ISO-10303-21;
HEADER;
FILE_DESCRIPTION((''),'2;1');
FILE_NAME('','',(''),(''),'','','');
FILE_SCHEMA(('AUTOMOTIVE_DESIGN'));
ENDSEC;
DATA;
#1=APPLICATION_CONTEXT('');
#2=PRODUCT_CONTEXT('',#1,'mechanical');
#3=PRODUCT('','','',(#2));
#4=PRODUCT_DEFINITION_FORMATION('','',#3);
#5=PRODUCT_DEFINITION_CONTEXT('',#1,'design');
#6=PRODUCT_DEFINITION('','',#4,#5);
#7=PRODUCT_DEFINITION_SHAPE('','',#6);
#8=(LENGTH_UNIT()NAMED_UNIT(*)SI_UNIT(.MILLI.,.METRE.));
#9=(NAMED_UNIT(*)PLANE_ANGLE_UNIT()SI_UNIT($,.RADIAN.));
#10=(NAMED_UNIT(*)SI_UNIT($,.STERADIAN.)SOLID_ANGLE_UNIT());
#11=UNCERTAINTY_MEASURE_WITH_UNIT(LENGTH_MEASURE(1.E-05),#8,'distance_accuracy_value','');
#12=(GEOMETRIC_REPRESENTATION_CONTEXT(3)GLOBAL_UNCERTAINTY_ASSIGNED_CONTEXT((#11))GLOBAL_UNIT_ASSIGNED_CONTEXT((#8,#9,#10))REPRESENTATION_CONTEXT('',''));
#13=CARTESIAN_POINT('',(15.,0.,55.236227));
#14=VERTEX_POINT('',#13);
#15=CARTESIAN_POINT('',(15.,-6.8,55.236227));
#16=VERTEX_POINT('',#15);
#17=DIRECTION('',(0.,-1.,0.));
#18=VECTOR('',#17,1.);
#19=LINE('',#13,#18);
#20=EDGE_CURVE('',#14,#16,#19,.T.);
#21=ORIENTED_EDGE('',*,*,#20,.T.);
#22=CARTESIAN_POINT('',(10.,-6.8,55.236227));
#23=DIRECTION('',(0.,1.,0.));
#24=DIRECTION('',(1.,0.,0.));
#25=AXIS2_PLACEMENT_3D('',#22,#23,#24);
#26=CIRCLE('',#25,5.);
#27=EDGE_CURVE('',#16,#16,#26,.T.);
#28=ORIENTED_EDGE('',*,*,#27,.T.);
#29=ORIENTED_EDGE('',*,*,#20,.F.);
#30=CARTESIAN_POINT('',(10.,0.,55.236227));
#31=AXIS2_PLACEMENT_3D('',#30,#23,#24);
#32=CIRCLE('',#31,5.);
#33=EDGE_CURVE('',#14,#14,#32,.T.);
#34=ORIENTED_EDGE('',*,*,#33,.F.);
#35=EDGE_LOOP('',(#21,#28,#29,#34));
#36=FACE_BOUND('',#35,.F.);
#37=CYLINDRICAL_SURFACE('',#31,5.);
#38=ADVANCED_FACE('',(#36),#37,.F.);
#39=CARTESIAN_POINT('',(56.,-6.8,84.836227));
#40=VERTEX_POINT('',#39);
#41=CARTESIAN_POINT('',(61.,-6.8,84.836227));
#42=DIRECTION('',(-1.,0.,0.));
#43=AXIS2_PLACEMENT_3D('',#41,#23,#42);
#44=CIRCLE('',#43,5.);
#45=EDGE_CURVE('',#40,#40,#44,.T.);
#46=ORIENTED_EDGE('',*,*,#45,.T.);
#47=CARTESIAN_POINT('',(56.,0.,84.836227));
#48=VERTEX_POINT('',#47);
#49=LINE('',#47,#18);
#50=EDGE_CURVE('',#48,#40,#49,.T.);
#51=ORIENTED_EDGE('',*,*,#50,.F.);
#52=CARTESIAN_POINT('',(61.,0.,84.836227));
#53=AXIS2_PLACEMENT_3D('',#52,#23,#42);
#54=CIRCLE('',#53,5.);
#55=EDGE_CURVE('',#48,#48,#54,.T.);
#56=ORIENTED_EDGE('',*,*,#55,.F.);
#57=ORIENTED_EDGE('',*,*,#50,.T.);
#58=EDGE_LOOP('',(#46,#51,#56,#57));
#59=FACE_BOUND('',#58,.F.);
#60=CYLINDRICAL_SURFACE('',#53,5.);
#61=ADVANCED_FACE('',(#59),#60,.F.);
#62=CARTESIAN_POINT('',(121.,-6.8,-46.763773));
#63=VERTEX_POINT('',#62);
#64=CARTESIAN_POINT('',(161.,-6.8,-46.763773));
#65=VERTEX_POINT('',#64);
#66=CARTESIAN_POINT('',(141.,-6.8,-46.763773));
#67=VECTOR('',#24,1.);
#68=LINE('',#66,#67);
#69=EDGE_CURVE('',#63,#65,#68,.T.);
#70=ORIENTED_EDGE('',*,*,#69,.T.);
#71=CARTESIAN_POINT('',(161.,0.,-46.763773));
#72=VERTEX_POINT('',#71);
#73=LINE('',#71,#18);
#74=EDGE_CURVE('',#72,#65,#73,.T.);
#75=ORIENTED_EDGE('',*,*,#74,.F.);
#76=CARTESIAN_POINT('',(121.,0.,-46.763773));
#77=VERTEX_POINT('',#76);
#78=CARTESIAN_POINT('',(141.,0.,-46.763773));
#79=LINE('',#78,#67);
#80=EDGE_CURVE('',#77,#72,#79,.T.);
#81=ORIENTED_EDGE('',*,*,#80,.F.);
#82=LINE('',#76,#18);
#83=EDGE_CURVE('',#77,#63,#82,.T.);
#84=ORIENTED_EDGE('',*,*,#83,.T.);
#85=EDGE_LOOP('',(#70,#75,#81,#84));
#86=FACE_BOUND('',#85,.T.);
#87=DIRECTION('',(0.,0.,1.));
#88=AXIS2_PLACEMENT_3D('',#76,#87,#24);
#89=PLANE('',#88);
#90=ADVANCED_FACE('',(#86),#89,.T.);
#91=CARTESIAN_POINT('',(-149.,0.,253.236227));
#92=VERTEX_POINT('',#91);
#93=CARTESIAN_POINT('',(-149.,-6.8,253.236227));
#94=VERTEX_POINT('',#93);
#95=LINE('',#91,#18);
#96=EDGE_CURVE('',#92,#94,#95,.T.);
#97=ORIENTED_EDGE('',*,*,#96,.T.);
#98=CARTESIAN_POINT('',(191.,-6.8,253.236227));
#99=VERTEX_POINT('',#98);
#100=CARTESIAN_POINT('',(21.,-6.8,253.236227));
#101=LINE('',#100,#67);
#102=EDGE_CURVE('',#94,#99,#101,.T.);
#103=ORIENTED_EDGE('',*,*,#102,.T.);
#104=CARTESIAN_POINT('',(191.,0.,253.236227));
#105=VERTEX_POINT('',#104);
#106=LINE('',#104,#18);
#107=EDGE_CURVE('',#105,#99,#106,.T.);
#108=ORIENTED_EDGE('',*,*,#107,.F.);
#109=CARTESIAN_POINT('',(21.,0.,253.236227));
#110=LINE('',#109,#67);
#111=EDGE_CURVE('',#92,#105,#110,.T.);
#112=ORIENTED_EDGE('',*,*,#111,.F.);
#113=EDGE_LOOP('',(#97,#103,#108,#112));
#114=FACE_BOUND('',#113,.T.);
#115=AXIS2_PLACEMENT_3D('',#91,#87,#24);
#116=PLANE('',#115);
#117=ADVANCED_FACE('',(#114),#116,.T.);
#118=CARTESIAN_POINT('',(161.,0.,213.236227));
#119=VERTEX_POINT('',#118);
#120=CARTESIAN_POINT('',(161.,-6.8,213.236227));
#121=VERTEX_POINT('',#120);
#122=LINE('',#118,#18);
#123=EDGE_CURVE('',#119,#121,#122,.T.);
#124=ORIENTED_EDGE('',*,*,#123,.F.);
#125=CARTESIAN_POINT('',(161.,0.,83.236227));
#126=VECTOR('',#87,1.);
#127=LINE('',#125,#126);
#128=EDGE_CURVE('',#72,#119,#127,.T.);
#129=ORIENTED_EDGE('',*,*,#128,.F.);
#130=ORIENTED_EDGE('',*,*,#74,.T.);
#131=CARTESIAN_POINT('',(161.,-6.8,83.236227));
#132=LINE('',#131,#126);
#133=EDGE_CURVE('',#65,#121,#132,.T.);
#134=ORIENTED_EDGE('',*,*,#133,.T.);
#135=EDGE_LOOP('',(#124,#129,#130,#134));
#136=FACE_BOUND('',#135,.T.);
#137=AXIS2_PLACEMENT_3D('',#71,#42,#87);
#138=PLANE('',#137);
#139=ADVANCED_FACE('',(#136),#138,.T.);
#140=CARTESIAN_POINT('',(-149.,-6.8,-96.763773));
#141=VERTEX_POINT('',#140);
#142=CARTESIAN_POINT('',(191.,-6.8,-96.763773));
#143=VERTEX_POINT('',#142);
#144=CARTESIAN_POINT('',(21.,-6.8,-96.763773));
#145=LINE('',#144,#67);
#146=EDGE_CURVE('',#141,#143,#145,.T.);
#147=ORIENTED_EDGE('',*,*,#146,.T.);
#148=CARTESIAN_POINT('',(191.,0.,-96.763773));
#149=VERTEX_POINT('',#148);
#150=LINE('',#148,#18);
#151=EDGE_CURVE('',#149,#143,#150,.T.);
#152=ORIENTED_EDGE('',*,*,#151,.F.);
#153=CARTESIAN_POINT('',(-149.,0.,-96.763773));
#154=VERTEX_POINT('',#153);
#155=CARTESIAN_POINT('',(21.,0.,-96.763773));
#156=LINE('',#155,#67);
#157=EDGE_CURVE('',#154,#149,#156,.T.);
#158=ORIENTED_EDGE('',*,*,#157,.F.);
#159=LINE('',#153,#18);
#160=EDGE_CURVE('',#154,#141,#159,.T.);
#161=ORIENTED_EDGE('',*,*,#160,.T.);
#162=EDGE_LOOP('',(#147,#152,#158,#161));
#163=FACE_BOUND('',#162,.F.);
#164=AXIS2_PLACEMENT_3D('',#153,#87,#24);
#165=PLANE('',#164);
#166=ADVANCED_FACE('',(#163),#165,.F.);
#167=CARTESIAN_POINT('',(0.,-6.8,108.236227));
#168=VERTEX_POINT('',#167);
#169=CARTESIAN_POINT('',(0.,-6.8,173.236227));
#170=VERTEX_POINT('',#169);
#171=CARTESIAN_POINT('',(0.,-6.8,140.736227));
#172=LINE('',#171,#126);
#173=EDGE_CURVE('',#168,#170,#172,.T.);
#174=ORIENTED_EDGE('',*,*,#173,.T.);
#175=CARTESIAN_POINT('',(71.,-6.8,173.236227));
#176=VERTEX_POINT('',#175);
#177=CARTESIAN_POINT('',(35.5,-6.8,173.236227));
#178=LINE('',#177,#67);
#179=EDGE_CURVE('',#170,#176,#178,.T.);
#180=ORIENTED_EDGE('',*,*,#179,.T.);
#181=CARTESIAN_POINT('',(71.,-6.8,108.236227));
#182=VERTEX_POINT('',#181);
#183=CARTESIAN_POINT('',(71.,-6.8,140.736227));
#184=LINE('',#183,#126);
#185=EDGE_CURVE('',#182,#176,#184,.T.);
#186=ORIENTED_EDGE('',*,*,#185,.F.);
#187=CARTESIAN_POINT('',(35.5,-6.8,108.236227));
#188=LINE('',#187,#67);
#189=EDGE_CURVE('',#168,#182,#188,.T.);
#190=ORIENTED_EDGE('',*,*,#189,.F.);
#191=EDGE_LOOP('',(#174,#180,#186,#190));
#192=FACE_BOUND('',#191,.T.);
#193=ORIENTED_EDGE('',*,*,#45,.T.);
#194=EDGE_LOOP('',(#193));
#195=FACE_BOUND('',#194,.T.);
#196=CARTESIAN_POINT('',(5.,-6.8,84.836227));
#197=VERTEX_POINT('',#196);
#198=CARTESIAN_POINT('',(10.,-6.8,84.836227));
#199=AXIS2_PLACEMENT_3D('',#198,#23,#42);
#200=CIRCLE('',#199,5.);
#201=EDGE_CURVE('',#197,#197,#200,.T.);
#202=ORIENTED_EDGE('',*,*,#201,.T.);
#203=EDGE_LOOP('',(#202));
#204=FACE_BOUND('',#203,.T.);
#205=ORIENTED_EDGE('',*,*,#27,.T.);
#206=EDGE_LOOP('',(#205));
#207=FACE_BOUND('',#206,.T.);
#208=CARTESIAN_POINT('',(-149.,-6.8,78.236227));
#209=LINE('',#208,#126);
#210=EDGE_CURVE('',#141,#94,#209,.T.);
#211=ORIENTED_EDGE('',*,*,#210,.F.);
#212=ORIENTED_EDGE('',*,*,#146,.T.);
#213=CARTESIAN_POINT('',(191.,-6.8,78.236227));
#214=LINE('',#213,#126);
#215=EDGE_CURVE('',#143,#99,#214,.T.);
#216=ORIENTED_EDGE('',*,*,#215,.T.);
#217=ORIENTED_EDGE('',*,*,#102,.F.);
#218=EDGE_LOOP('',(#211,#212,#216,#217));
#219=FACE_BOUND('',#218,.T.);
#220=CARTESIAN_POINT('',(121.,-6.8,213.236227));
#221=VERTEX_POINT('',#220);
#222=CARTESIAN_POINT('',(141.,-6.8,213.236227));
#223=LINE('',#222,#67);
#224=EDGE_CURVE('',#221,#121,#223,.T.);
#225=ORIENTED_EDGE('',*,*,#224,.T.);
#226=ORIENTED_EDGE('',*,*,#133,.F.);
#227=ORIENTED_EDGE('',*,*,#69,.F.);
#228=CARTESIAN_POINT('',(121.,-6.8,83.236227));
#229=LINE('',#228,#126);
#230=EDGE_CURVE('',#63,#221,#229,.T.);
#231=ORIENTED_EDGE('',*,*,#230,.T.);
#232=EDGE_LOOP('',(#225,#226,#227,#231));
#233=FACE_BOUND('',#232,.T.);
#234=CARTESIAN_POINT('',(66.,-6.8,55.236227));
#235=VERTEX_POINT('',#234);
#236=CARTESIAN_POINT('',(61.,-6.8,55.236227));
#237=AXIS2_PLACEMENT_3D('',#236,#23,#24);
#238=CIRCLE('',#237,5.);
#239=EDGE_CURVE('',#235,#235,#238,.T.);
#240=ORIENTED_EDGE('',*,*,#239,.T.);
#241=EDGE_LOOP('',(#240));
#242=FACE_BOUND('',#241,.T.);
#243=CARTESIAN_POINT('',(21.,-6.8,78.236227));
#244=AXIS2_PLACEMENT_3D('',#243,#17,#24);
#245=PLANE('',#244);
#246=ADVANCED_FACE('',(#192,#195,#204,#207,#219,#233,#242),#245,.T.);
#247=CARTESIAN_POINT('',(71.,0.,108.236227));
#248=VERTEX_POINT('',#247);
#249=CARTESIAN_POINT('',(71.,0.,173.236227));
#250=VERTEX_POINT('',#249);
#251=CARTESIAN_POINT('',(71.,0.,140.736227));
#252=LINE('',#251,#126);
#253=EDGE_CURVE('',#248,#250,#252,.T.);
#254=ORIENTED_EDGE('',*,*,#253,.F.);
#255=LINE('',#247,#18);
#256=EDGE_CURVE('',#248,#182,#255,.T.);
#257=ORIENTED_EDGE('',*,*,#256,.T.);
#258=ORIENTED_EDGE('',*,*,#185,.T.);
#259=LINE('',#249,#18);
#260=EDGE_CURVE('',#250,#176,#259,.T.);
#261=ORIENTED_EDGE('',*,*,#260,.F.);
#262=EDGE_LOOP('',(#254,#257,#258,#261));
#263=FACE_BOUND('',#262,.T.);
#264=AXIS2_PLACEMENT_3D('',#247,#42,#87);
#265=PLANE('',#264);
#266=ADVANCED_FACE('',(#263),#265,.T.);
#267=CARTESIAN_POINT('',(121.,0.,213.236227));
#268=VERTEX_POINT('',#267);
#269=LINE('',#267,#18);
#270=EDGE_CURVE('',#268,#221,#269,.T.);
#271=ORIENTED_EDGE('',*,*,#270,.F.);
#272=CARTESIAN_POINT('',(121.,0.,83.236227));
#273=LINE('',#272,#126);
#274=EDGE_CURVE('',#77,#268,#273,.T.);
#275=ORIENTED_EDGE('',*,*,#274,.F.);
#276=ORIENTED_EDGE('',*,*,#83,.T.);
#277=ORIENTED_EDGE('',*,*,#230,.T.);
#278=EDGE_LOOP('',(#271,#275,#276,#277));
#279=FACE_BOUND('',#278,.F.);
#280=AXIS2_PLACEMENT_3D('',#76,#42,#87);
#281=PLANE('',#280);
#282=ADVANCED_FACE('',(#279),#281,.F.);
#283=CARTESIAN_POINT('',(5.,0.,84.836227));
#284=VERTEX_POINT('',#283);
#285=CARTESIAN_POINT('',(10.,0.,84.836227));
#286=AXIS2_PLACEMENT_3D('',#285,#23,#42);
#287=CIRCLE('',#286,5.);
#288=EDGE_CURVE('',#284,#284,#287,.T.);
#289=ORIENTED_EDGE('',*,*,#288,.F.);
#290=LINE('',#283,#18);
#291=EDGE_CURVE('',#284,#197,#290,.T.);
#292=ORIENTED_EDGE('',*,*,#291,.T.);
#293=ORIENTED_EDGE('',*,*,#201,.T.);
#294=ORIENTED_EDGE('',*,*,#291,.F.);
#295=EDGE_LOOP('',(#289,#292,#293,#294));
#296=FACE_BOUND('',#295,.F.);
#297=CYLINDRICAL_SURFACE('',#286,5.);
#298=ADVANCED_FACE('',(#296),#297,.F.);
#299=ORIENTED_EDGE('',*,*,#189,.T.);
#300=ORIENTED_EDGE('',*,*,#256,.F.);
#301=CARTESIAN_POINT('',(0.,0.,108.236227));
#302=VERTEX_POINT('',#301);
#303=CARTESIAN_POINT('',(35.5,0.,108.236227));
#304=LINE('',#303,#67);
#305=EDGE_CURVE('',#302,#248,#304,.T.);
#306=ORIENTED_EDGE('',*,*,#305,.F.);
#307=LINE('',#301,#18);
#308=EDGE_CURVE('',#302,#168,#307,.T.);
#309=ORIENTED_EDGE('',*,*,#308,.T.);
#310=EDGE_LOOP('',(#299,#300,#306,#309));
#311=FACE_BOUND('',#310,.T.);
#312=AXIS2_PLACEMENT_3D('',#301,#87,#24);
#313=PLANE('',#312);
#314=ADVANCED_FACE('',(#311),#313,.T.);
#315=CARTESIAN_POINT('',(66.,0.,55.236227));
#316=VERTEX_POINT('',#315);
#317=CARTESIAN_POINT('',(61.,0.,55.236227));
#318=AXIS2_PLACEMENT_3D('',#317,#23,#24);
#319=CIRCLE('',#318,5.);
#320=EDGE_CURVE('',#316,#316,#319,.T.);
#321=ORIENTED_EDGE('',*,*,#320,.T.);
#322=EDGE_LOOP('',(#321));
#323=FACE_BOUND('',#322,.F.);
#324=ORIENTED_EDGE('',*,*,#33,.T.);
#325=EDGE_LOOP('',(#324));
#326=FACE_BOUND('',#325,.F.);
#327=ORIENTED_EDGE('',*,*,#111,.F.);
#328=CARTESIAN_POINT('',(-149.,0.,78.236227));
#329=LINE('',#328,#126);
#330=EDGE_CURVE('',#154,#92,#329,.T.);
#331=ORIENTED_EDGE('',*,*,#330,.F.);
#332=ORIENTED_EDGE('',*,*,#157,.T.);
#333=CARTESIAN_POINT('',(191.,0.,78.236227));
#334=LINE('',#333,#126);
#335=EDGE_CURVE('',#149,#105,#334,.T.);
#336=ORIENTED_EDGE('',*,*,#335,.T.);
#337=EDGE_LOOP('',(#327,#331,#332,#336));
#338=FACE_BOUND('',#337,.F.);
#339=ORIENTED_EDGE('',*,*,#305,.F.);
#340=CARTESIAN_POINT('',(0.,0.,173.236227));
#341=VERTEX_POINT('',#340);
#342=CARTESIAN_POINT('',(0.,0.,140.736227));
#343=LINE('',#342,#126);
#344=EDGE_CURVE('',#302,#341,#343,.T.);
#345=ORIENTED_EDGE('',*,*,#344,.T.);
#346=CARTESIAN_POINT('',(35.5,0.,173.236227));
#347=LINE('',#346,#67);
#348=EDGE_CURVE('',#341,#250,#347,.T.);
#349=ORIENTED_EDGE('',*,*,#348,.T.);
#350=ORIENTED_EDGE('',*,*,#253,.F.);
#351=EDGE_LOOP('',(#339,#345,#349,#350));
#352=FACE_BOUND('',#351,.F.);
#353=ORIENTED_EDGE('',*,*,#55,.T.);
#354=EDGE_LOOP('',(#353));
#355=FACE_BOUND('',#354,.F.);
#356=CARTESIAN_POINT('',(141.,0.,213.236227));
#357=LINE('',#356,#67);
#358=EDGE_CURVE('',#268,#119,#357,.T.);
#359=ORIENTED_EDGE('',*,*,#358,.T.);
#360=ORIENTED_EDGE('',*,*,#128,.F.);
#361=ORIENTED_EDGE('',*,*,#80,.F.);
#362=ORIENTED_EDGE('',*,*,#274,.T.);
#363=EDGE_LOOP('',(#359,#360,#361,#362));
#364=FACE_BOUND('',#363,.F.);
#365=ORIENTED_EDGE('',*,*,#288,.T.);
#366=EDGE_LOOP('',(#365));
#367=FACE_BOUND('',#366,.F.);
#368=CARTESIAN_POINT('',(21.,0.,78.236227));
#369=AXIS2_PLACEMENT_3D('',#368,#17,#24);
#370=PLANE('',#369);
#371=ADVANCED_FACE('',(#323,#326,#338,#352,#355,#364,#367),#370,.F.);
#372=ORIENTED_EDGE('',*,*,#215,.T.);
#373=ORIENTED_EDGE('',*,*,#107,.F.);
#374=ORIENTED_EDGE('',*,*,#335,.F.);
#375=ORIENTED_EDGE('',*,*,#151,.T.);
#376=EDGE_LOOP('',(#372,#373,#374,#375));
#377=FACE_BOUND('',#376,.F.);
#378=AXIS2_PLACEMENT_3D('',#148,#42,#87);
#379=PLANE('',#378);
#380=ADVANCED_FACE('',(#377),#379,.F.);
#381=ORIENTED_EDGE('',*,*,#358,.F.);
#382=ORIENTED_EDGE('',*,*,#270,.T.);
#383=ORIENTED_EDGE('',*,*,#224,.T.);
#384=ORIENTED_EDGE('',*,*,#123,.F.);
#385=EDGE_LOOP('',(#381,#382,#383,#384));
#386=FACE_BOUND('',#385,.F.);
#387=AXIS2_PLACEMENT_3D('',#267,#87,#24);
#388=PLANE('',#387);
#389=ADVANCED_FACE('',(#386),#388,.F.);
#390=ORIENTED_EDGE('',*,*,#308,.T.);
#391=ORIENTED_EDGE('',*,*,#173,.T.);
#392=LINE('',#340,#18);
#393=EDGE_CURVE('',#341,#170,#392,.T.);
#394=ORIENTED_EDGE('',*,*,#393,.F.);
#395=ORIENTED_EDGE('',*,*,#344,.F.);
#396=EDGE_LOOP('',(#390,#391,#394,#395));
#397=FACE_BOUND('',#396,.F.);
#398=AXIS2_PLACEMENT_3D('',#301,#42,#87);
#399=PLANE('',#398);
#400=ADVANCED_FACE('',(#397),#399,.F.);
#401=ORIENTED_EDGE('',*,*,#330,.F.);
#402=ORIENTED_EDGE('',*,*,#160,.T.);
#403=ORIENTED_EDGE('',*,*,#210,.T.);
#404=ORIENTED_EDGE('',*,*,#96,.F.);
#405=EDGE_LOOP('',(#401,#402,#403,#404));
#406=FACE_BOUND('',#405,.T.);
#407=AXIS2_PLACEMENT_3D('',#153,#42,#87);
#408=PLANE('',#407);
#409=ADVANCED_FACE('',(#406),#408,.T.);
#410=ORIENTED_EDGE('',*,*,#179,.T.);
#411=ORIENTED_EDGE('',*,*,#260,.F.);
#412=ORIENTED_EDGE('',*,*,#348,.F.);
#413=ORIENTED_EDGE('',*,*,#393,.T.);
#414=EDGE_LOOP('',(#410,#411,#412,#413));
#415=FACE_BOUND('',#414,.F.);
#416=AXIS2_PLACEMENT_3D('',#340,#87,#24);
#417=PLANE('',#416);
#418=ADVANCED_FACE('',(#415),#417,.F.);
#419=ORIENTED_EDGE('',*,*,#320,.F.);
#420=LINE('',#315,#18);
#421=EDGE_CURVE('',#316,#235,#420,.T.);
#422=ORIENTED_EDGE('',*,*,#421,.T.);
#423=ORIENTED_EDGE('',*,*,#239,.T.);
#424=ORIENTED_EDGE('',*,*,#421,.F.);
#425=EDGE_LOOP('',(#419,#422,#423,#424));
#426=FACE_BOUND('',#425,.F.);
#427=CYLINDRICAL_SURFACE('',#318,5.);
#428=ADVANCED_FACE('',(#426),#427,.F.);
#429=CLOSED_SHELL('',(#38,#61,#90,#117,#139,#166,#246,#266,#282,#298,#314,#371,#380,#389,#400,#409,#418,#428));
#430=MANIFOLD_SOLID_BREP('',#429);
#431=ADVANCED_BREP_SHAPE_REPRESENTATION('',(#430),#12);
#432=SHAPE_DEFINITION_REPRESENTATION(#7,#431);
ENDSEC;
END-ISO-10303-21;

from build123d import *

# Parameters (mm, degrees)
F0_W     = 340
F0_H     = 350
F0_W_2   = 71
F0_H_2   = 65
F0_W_3   = 40
F0_H_3   = 260
F1_DEPTH = 6.8


with BuildPart() as f1:
    # F0 (on Front) → F1 (new body)
    with BuildSketch(Plane.XZ):
        with Locations((21, 78.236227)):
            Rectangle(F0_W, F0_H)
        with BuildLine():
            ThreePointArc((5, 55.236227), (10, 60.236227), (15, 55.236227))
            ThreePointArc((15, 55.236227), (10, 50.236227), (5, 55.236227))
        make_face(mode=Mode.SUBTRACT)
        with BuildLine():
            ThreePointArc((56, 55.236227), (61, 60.236227), (66, 55.236227))
            ThreePointArc((66, 55.236227), (61, 50.236227), (56, 55.236227))
        make_face(mode=Mode.SUBTRACT)
        with BuildLine():
            ThreePointArc((15, 84.836227), (10, 79.836227), (5, 84.836227))
            ThreePointArc((5, 84.836227), (10, 89.836227), (15, 84.836227))
        make_face(mode=Mode.SUBTRACT)
        with BuildLine():
            ThreePointArc((66, 84.836227), (61, 79.836227), (56, 84.836227))
            ThreePointArc((56, 84.836227), (61, 89.836227), (66, 84.836227))
        make_face(mode=Mode.SUBTRACT)
        with Locations((35.5, 140.736227)):
            Rectangle(F0_W_2, F0_H_2, mode=Mode.SUBTRACT)
        with Locations((141, 83.236227)):
            Rectangle(F0_W_3, F0_H_3, mode=Mode.SUBTRACT)
    extrude(amount=F1_DEPTH)


solid = f1.part
